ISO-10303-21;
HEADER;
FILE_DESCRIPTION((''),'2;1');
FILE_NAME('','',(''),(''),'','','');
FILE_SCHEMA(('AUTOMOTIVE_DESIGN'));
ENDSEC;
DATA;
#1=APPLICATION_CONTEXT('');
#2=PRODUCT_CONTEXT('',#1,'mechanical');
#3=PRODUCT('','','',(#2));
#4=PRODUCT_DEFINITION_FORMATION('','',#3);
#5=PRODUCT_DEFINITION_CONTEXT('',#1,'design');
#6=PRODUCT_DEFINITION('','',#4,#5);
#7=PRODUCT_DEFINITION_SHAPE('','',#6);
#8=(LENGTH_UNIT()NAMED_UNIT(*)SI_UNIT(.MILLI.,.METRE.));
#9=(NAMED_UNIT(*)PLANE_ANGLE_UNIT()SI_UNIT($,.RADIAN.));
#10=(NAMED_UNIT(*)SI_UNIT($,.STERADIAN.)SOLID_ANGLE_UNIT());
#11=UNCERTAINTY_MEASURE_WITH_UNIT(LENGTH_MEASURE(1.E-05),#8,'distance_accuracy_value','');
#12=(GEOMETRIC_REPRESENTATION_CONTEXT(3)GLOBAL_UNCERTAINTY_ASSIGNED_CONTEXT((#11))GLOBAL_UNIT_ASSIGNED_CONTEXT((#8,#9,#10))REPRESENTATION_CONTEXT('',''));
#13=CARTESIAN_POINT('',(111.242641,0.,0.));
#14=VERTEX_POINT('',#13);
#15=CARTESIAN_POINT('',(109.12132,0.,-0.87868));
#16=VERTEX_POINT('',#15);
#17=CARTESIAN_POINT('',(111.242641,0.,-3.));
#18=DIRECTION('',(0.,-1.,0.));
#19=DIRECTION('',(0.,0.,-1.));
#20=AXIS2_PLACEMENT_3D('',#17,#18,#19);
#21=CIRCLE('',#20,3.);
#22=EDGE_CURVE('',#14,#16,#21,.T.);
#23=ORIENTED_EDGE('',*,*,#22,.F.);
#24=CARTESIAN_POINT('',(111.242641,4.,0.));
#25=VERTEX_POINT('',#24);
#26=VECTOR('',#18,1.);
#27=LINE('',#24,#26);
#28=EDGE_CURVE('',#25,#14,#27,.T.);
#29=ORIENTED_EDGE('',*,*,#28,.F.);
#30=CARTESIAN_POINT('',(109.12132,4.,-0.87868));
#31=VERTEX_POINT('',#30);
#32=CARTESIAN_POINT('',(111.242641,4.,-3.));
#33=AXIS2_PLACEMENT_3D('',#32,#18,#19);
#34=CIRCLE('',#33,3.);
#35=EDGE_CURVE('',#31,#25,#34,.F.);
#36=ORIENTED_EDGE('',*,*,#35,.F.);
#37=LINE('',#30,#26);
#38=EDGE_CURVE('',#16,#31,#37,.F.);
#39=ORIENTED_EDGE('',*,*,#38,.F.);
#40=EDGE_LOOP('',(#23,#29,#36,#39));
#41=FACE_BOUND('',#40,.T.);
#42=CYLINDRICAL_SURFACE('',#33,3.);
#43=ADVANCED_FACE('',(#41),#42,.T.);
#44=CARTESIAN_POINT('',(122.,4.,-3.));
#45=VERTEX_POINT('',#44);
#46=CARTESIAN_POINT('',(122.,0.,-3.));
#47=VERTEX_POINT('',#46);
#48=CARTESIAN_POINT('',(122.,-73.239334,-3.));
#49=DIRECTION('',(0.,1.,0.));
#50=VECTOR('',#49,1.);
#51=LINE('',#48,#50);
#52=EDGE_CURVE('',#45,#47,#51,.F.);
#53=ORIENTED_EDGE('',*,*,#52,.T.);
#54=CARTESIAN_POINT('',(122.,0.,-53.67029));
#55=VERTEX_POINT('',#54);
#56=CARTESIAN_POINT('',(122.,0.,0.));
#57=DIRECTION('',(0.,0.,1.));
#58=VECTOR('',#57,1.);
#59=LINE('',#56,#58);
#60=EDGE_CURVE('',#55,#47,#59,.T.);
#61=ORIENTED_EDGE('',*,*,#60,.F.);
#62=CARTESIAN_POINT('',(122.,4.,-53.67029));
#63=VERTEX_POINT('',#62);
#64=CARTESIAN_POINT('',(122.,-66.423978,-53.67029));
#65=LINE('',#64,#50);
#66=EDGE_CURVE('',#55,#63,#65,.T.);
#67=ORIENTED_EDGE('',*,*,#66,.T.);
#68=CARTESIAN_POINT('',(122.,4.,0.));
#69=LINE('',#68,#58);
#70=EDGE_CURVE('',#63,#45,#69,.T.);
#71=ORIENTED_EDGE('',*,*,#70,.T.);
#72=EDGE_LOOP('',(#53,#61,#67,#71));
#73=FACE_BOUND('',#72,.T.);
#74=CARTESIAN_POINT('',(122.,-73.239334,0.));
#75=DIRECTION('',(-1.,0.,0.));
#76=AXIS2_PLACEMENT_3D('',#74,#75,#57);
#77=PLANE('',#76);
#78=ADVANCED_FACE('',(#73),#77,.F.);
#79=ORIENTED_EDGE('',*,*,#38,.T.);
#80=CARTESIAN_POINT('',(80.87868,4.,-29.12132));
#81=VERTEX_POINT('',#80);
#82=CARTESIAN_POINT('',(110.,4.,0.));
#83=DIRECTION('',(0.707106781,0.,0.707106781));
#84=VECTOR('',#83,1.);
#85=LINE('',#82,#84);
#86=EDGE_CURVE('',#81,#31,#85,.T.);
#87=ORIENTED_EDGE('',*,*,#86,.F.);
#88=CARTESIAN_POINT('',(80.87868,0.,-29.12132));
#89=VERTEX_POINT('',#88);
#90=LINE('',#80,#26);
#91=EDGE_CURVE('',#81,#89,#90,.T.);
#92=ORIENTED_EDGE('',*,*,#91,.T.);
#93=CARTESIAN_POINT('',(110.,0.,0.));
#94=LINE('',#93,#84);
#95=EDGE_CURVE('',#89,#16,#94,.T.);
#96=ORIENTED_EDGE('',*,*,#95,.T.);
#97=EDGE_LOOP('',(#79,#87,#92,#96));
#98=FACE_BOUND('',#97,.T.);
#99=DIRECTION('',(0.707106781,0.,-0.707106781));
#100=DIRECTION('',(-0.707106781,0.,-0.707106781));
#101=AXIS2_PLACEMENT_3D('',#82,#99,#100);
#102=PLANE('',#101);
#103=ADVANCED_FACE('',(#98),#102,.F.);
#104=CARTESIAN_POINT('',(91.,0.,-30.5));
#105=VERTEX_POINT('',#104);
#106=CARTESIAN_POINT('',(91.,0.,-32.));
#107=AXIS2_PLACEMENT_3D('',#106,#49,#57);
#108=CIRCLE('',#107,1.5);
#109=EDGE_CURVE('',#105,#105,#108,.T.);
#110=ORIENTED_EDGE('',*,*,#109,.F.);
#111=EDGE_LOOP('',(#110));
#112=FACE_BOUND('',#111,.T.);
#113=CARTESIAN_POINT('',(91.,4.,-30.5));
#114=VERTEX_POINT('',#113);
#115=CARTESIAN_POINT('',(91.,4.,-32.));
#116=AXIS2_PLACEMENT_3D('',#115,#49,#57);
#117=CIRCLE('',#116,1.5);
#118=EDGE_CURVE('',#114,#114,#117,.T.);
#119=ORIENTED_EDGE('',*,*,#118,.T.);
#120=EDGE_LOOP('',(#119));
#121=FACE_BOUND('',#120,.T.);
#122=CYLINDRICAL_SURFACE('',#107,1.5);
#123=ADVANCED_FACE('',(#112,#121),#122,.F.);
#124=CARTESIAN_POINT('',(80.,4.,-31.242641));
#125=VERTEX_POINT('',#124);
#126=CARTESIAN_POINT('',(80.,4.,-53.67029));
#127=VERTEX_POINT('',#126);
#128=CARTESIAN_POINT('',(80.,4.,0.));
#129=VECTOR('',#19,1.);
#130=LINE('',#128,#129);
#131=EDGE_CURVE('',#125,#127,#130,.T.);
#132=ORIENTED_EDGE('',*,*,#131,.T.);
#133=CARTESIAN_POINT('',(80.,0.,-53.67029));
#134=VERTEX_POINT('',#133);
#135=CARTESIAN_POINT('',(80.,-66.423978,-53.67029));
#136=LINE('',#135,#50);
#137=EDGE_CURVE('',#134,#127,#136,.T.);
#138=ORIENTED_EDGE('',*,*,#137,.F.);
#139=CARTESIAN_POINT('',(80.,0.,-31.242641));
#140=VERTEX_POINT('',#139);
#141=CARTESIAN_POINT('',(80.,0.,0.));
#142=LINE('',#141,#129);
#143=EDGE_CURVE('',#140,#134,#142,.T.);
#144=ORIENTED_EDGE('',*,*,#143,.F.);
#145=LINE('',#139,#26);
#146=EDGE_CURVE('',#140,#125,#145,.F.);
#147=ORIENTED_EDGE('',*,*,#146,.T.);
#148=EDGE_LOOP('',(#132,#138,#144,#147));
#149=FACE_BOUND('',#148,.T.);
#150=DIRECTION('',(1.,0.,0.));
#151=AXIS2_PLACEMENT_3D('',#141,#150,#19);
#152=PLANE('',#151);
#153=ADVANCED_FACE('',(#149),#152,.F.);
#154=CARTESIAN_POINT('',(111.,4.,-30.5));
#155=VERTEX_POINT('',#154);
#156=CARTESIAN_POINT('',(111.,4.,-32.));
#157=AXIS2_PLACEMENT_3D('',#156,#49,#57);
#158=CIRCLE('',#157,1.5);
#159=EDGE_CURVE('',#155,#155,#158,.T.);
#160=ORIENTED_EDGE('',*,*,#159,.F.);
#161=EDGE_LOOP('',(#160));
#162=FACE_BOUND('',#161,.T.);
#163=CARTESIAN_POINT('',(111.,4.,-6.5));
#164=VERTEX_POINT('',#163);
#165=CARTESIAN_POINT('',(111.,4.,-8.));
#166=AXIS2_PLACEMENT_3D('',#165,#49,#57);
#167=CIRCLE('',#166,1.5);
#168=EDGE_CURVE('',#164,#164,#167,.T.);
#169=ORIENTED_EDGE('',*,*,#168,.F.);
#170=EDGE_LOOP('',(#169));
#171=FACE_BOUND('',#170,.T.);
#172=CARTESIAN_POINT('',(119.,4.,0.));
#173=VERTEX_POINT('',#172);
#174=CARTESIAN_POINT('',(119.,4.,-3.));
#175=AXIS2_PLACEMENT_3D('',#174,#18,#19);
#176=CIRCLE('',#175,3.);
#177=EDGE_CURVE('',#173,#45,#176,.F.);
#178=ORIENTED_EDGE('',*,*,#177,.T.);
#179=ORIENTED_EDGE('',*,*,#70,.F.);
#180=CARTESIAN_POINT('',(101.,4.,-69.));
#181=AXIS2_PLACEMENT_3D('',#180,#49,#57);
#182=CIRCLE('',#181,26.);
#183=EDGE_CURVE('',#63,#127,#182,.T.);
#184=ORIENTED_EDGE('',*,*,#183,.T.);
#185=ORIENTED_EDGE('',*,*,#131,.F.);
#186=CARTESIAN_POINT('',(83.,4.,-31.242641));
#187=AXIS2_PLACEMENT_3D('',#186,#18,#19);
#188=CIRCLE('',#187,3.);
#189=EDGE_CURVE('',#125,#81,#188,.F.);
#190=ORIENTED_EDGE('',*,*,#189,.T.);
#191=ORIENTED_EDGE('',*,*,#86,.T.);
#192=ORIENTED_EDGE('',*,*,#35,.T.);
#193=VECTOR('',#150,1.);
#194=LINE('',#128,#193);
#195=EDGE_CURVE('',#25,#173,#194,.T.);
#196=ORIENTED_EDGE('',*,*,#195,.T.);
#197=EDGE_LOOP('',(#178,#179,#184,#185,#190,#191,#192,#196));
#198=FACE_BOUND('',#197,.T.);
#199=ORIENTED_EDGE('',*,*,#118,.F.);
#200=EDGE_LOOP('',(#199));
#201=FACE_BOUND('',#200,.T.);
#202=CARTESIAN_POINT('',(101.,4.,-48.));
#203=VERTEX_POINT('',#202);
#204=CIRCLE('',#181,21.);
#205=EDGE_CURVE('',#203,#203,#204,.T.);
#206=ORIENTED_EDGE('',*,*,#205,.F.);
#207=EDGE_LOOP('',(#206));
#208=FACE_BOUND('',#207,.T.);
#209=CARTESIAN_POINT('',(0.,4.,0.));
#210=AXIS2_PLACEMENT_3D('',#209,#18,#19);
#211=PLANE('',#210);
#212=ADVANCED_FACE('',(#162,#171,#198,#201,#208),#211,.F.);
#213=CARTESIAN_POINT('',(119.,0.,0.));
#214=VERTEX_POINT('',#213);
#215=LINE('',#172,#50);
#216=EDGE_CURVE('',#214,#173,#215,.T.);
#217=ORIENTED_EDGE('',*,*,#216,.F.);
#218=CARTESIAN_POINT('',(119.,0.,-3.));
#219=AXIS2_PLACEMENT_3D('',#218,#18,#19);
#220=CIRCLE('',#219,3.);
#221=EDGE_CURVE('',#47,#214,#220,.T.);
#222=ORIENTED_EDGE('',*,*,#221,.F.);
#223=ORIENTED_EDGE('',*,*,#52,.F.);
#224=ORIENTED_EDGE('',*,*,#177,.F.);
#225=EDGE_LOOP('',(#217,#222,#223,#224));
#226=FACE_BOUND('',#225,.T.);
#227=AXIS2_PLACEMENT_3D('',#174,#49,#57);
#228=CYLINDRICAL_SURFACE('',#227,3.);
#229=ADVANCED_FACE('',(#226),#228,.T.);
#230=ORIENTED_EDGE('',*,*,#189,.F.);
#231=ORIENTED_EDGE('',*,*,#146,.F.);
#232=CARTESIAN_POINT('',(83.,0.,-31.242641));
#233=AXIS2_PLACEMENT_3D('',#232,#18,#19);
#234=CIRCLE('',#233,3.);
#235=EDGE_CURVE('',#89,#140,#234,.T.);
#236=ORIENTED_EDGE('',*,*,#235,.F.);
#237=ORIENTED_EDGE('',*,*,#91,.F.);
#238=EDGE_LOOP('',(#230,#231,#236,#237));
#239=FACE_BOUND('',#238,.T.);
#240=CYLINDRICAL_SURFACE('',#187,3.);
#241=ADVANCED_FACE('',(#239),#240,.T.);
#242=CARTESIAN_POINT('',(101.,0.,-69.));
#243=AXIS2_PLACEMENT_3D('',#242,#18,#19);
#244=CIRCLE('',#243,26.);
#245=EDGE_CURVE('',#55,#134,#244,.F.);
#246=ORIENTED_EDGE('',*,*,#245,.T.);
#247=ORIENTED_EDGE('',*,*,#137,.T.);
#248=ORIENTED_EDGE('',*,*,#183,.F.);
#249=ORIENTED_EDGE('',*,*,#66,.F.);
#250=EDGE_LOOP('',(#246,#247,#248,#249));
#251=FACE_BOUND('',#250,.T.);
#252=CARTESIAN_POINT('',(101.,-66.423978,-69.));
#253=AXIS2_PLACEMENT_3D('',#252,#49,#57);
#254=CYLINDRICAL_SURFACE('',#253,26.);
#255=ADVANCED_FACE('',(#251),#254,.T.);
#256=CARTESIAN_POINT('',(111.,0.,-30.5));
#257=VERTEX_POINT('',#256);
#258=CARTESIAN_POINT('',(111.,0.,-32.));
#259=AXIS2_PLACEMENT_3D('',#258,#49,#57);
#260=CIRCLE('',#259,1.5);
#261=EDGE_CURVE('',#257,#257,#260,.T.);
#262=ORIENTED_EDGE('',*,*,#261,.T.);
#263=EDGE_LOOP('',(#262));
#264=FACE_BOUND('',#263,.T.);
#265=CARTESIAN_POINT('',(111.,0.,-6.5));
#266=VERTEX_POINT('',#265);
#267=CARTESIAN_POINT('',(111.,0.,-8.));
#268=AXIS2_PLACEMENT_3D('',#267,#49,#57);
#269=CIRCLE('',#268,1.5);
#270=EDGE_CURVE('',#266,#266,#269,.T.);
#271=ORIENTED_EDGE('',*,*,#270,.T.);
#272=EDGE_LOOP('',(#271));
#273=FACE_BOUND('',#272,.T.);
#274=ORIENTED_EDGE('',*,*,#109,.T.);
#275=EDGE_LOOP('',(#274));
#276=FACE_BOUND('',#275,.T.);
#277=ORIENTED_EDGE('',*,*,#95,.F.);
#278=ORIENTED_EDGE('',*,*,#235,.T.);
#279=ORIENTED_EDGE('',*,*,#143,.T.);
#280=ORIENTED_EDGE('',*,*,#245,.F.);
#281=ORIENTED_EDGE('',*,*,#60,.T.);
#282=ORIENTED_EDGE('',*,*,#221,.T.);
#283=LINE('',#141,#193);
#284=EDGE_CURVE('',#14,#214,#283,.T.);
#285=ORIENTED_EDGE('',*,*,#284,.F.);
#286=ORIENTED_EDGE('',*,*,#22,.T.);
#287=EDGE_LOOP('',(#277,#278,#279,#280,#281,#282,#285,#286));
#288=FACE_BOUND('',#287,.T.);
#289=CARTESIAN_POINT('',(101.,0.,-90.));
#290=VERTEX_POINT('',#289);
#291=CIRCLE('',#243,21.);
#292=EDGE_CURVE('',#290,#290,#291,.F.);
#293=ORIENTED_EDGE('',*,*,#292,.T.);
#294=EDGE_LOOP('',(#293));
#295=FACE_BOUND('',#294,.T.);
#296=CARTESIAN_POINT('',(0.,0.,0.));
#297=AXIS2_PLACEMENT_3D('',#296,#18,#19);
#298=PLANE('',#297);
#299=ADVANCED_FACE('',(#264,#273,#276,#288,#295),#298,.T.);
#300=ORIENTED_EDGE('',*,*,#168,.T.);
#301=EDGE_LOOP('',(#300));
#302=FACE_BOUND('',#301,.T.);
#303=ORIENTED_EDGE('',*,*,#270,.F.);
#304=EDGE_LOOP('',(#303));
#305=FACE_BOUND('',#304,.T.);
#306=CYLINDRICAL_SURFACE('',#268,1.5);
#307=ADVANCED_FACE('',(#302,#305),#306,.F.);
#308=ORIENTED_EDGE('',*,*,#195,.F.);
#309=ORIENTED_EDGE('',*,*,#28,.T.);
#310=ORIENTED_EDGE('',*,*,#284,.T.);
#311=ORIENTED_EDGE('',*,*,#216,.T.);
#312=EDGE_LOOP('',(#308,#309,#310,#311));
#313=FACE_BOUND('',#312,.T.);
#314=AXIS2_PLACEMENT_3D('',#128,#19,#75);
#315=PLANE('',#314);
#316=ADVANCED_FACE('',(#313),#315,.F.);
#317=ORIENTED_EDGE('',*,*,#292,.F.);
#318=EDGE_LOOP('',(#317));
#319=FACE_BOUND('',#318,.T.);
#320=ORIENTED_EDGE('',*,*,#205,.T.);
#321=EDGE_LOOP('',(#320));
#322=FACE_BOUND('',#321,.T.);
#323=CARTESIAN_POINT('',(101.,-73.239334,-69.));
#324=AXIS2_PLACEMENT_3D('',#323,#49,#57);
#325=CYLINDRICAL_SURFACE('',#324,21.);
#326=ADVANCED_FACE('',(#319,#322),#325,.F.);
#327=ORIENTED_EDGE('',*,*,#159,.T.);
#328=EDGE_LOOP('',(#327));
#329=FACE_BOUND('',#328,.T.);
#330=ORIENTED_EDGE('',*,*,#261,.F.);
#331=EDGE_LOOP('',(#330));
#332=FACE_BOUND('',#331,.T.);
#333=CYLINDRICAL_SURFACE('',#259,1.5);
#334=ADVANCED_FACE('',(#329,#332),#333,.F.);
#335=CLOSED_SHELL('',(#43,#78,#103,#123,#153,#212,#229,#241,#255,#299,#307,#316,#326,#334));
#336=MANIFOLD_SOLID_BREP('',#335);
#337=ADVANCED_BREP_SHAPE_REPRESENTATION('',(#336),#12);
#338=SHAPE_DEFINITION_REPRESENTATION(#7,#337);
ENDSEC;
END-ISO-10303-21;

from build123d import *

# Parameters (mm, degrees)
SKETCH_2_R             = 1.5
SKETCH_2_R_2           = 9.5
EXTRUDE_1_DEPTH        = 4
CUT_EXTRUDE_1_DEPTH    = 124.429075185
EXTRUDE_2_DEPTH        = 4
SKETCH_7_R             = 1.5
CUT_EXTRUDE_2_DEPTH    = 155.008884812
FILLET_1_R             = 3
SKETCH_6_4_OUTSIDE_W   = 131.04
SKETCH_6_4_OUTSIDE_H   = 122.515
SKETCH_6_4_OUTSIDE_R   = 21
SKETCH_6_4_OUTSIDE_W_2 = 42
SKETCH_6_4_OUTSIDE_H_2 = 60
CUT_EXTRUDE_4_DEPTH    = 154.441846019
EXTRUDE_3_DEPTH        = 4
CUT_EXTRUDE_5_DEPTH    = 159.650559407
FILLET_2_R             = 3


with BuildPart() as part:
    # 草图2 → 凸台-拉伸1 (new body)
    with BuildSketch(Plane(origin=(0, 0, 0), x_dir=(1, 0, 0), z_dir=(0, 1, 0))):
        Polygon((0, 0), (0, 60), (40, 93.908128514), (80, 60), (80, 0), (68, 0), (68, 42), (40, 54), (12, 42), (12, 0), align=None)
        with Locations(Location((6, 32, 0), (0, 0, 270))):
            Circle(SKETCH_2_R, mode=Mode.SUBTRACT)
        with Locations(Location((6, 8, 0), (0, 0, 270))):
            Circle(SKETCH_2_R, mode=Mode.SUBTRACT)
        with Locations(Location((40, 69, 0), (0, 0, 270))):
            Circle(SKETCH_2_R_2, mode=Mode.SUBTRACT)
        with Locations(Location((74, 8, 0), (0, 0, 90))):
            Circle(SKETCH_2_R, mode=Mode.SUBTRACT)
        with Locations(Location((74, 32, 0), (0, 0, 90))):
            Circle(SKETCH_2_R, mode=Mode.SUBTRACT)
    extrude(amount=EXTRUDE_1_DEPTH)

    # 草图4 → 切除-拉伸1 (cut, through all)
    with BuildSketch(Plane(origin=(0, 4, 0), x_dir=(1, 0, 0), z_dir=(0, 1, 0))):
        with BuildLine():
            Line((24.36723091, 80.656179931), (0, 60))
            Line((0, 60), (0, 0))
            Line((0, 0), (12, 0))
            Line((12, 0), (12, 42))
            Line((12, 42), (32.756034747, 50.895443463))
            ThreePointArc((32.756034747, 50.895443463), (21.23136653, 63.709593809), (24.36723091, 80.656179931))
        make_face()
    extrude(amount=-CUT_EXTRUDE_1_DEPTH, mode=Mode.SUBTRACT)

    # 草图6 → 凸台-拉伸2 (add)
    with BuildSketch(Plane(origin=(0, 4, 0), x_dir=(1, 0, 0), z_dir=(0, 1, 0))):
        with BuildLine():
            Line((82.026334039, 60), (80, 60))
            Line((80, 60), (80, 0))
            Line((80, 0), (122, 0))
            Line((122, 0), (122, 60))
            Line((122, 60), (119.973665961, 60))
            ThreePointArc((119.973665961, 60), (101, 48), (82.026334039, 60))
        make_face()
    extrude(amount=-EXTRUDE_2_DEPTH)

    # 草图7 → 切除-拉伸2 (cut, through all)
    with BuildSketch(Plane(origin=(0, 4, 0), x_dir=(1, 0, 0), z_dir=(0, 1, 0))):
        with Locations(Location((91, 32, 0), (0, 0, 270))):
            Circle(SKETCH_7_R)
        with Locations(Location((74, 32, 0), (0, 0, 90))):
            Circle(SKETCH_7_R)
        with Locations(Location((74, 8, 0), (0, 0, 90))):
            Circle(SKETCH_7_R)
        with Locations(Location((111, 32, 0), (0, 0, 270))):
            Circle(SKETCH_7_R)
        with Locations(Location((111, 8, 0), (0, 0, 270))):
            Circle(SKETCH_7_R)
        with Locations(Location((91, 8, 0), (0, 0, 270))):
            Circle(SKETCH_7_R)
    extrude(amount=-CUT_EXTRUDE_2_DEPTH, mode=Mode.SUBTRACT)

    # 圆角1
    fillet_1_edges = [part.edges().sort_by_distance(p)[0] for p in [
        (40, 2, -93.908128514),
        (80, 2, -60),
        (68, 2, 0),
        (68, 2, -42),
        (40, 2, -54),
        (24.36723091, 2, -80.656179931),
        (32.756034747, 2, -50.895443463),
        (122, 2, 0),
    ]]
    fillet(fillet_1_edges, radius=FILLET_1_R)

    # 草图6<4> outside → 切除-拉伸4 (cut, through all)
    with BuildSketch(Plane(origin=(0, 4, 0), x_dir=(1, 0, 0), z_dir=(0, 1, 0))):
        with Locations((71.25, 46.4875)):
            Rectangle(SKETCH_6_4_OUTSIDE_W, SKETCH_6_4_OUTSIDE_H)
        with Locations((101, 69)):
            Circle(SKETCH_6_4_OUTSIDE_R, mode=Mode.SUBTRACT)
        with Locations((101, 30)):
            Rectangle(SKETCH_6_4_OUTSIDE_W_2, SKETCH_6_4_OUTSIDE_H_2, mode=Mode.SUBTRACT)
    extrude(amount=-CUT_EXTRUDE_4_DEPTH, mode=Mode.SUBTRACT)

    # 草图8 → 凸台-拉伸3 (add)
    with BuildSketch(Plane(origin=(0, 4, 0), x_dir=(1, 0, 0), z_dir=(0, 1, 0))):
        with BuildLine():
            ThreePointArc((119.973665961, 60), (101, 48), (82.026334039, 60))
            Line((82.026334039, 60), (80, 60))
            Line((80, 60), (80, 53.670290283))
            ThreePointArc((80, 53.670290283), (101, 43), (122, 53.670290283))
            Line((122, 53.670290283), (122, 60))
            Line((122, 60), (119.973665961, 60))
        make_face()
        with BuildLine():
            Line((80, 60), (82.026334039, 60))
            ThreePointArc((82.026334039, 60), (96.387353535, 89.487154331), (122, 69))
            ThreePointArc((122, 69), (121.487154331, 64.387353535), (119.973665961, 60))
            Line((119.973665961, 60), (122, 60))
            Line((122, 60), (122, 53.670290283))
            ThreePointArc((122, 53.670290283), (125.718414189, 60.937742252), (127, 69))
            ThreePointArc((127, 69), (92.937742252, 93.718414189), (80, 53.670290283))
            Line((80, 53.670290283), (80, 60))
        make_face()
    extrude(amount=-EXTRUDE_3_DEPTH)

    # 草图9 → 切除-拉伸5 (cut, through all)
    with BuildSketch(Plane.XZ):
        Polygon((110, 0), (80, -30), (80, 0), align=None)
    extrude(amount=-CUT_EXTRUDE_5_DEPTH, mode=Mode.SUBTRACT)

    # 圆角2
    fillet_2_edges = [part.edges().sort_by_distance(p)[0] for p in [
        (110, 2, 0),
        (80, 2, -30),
    ]]
    fillet(fillet_2_edges, radius=FILLET_2_R)


solid = part.part
